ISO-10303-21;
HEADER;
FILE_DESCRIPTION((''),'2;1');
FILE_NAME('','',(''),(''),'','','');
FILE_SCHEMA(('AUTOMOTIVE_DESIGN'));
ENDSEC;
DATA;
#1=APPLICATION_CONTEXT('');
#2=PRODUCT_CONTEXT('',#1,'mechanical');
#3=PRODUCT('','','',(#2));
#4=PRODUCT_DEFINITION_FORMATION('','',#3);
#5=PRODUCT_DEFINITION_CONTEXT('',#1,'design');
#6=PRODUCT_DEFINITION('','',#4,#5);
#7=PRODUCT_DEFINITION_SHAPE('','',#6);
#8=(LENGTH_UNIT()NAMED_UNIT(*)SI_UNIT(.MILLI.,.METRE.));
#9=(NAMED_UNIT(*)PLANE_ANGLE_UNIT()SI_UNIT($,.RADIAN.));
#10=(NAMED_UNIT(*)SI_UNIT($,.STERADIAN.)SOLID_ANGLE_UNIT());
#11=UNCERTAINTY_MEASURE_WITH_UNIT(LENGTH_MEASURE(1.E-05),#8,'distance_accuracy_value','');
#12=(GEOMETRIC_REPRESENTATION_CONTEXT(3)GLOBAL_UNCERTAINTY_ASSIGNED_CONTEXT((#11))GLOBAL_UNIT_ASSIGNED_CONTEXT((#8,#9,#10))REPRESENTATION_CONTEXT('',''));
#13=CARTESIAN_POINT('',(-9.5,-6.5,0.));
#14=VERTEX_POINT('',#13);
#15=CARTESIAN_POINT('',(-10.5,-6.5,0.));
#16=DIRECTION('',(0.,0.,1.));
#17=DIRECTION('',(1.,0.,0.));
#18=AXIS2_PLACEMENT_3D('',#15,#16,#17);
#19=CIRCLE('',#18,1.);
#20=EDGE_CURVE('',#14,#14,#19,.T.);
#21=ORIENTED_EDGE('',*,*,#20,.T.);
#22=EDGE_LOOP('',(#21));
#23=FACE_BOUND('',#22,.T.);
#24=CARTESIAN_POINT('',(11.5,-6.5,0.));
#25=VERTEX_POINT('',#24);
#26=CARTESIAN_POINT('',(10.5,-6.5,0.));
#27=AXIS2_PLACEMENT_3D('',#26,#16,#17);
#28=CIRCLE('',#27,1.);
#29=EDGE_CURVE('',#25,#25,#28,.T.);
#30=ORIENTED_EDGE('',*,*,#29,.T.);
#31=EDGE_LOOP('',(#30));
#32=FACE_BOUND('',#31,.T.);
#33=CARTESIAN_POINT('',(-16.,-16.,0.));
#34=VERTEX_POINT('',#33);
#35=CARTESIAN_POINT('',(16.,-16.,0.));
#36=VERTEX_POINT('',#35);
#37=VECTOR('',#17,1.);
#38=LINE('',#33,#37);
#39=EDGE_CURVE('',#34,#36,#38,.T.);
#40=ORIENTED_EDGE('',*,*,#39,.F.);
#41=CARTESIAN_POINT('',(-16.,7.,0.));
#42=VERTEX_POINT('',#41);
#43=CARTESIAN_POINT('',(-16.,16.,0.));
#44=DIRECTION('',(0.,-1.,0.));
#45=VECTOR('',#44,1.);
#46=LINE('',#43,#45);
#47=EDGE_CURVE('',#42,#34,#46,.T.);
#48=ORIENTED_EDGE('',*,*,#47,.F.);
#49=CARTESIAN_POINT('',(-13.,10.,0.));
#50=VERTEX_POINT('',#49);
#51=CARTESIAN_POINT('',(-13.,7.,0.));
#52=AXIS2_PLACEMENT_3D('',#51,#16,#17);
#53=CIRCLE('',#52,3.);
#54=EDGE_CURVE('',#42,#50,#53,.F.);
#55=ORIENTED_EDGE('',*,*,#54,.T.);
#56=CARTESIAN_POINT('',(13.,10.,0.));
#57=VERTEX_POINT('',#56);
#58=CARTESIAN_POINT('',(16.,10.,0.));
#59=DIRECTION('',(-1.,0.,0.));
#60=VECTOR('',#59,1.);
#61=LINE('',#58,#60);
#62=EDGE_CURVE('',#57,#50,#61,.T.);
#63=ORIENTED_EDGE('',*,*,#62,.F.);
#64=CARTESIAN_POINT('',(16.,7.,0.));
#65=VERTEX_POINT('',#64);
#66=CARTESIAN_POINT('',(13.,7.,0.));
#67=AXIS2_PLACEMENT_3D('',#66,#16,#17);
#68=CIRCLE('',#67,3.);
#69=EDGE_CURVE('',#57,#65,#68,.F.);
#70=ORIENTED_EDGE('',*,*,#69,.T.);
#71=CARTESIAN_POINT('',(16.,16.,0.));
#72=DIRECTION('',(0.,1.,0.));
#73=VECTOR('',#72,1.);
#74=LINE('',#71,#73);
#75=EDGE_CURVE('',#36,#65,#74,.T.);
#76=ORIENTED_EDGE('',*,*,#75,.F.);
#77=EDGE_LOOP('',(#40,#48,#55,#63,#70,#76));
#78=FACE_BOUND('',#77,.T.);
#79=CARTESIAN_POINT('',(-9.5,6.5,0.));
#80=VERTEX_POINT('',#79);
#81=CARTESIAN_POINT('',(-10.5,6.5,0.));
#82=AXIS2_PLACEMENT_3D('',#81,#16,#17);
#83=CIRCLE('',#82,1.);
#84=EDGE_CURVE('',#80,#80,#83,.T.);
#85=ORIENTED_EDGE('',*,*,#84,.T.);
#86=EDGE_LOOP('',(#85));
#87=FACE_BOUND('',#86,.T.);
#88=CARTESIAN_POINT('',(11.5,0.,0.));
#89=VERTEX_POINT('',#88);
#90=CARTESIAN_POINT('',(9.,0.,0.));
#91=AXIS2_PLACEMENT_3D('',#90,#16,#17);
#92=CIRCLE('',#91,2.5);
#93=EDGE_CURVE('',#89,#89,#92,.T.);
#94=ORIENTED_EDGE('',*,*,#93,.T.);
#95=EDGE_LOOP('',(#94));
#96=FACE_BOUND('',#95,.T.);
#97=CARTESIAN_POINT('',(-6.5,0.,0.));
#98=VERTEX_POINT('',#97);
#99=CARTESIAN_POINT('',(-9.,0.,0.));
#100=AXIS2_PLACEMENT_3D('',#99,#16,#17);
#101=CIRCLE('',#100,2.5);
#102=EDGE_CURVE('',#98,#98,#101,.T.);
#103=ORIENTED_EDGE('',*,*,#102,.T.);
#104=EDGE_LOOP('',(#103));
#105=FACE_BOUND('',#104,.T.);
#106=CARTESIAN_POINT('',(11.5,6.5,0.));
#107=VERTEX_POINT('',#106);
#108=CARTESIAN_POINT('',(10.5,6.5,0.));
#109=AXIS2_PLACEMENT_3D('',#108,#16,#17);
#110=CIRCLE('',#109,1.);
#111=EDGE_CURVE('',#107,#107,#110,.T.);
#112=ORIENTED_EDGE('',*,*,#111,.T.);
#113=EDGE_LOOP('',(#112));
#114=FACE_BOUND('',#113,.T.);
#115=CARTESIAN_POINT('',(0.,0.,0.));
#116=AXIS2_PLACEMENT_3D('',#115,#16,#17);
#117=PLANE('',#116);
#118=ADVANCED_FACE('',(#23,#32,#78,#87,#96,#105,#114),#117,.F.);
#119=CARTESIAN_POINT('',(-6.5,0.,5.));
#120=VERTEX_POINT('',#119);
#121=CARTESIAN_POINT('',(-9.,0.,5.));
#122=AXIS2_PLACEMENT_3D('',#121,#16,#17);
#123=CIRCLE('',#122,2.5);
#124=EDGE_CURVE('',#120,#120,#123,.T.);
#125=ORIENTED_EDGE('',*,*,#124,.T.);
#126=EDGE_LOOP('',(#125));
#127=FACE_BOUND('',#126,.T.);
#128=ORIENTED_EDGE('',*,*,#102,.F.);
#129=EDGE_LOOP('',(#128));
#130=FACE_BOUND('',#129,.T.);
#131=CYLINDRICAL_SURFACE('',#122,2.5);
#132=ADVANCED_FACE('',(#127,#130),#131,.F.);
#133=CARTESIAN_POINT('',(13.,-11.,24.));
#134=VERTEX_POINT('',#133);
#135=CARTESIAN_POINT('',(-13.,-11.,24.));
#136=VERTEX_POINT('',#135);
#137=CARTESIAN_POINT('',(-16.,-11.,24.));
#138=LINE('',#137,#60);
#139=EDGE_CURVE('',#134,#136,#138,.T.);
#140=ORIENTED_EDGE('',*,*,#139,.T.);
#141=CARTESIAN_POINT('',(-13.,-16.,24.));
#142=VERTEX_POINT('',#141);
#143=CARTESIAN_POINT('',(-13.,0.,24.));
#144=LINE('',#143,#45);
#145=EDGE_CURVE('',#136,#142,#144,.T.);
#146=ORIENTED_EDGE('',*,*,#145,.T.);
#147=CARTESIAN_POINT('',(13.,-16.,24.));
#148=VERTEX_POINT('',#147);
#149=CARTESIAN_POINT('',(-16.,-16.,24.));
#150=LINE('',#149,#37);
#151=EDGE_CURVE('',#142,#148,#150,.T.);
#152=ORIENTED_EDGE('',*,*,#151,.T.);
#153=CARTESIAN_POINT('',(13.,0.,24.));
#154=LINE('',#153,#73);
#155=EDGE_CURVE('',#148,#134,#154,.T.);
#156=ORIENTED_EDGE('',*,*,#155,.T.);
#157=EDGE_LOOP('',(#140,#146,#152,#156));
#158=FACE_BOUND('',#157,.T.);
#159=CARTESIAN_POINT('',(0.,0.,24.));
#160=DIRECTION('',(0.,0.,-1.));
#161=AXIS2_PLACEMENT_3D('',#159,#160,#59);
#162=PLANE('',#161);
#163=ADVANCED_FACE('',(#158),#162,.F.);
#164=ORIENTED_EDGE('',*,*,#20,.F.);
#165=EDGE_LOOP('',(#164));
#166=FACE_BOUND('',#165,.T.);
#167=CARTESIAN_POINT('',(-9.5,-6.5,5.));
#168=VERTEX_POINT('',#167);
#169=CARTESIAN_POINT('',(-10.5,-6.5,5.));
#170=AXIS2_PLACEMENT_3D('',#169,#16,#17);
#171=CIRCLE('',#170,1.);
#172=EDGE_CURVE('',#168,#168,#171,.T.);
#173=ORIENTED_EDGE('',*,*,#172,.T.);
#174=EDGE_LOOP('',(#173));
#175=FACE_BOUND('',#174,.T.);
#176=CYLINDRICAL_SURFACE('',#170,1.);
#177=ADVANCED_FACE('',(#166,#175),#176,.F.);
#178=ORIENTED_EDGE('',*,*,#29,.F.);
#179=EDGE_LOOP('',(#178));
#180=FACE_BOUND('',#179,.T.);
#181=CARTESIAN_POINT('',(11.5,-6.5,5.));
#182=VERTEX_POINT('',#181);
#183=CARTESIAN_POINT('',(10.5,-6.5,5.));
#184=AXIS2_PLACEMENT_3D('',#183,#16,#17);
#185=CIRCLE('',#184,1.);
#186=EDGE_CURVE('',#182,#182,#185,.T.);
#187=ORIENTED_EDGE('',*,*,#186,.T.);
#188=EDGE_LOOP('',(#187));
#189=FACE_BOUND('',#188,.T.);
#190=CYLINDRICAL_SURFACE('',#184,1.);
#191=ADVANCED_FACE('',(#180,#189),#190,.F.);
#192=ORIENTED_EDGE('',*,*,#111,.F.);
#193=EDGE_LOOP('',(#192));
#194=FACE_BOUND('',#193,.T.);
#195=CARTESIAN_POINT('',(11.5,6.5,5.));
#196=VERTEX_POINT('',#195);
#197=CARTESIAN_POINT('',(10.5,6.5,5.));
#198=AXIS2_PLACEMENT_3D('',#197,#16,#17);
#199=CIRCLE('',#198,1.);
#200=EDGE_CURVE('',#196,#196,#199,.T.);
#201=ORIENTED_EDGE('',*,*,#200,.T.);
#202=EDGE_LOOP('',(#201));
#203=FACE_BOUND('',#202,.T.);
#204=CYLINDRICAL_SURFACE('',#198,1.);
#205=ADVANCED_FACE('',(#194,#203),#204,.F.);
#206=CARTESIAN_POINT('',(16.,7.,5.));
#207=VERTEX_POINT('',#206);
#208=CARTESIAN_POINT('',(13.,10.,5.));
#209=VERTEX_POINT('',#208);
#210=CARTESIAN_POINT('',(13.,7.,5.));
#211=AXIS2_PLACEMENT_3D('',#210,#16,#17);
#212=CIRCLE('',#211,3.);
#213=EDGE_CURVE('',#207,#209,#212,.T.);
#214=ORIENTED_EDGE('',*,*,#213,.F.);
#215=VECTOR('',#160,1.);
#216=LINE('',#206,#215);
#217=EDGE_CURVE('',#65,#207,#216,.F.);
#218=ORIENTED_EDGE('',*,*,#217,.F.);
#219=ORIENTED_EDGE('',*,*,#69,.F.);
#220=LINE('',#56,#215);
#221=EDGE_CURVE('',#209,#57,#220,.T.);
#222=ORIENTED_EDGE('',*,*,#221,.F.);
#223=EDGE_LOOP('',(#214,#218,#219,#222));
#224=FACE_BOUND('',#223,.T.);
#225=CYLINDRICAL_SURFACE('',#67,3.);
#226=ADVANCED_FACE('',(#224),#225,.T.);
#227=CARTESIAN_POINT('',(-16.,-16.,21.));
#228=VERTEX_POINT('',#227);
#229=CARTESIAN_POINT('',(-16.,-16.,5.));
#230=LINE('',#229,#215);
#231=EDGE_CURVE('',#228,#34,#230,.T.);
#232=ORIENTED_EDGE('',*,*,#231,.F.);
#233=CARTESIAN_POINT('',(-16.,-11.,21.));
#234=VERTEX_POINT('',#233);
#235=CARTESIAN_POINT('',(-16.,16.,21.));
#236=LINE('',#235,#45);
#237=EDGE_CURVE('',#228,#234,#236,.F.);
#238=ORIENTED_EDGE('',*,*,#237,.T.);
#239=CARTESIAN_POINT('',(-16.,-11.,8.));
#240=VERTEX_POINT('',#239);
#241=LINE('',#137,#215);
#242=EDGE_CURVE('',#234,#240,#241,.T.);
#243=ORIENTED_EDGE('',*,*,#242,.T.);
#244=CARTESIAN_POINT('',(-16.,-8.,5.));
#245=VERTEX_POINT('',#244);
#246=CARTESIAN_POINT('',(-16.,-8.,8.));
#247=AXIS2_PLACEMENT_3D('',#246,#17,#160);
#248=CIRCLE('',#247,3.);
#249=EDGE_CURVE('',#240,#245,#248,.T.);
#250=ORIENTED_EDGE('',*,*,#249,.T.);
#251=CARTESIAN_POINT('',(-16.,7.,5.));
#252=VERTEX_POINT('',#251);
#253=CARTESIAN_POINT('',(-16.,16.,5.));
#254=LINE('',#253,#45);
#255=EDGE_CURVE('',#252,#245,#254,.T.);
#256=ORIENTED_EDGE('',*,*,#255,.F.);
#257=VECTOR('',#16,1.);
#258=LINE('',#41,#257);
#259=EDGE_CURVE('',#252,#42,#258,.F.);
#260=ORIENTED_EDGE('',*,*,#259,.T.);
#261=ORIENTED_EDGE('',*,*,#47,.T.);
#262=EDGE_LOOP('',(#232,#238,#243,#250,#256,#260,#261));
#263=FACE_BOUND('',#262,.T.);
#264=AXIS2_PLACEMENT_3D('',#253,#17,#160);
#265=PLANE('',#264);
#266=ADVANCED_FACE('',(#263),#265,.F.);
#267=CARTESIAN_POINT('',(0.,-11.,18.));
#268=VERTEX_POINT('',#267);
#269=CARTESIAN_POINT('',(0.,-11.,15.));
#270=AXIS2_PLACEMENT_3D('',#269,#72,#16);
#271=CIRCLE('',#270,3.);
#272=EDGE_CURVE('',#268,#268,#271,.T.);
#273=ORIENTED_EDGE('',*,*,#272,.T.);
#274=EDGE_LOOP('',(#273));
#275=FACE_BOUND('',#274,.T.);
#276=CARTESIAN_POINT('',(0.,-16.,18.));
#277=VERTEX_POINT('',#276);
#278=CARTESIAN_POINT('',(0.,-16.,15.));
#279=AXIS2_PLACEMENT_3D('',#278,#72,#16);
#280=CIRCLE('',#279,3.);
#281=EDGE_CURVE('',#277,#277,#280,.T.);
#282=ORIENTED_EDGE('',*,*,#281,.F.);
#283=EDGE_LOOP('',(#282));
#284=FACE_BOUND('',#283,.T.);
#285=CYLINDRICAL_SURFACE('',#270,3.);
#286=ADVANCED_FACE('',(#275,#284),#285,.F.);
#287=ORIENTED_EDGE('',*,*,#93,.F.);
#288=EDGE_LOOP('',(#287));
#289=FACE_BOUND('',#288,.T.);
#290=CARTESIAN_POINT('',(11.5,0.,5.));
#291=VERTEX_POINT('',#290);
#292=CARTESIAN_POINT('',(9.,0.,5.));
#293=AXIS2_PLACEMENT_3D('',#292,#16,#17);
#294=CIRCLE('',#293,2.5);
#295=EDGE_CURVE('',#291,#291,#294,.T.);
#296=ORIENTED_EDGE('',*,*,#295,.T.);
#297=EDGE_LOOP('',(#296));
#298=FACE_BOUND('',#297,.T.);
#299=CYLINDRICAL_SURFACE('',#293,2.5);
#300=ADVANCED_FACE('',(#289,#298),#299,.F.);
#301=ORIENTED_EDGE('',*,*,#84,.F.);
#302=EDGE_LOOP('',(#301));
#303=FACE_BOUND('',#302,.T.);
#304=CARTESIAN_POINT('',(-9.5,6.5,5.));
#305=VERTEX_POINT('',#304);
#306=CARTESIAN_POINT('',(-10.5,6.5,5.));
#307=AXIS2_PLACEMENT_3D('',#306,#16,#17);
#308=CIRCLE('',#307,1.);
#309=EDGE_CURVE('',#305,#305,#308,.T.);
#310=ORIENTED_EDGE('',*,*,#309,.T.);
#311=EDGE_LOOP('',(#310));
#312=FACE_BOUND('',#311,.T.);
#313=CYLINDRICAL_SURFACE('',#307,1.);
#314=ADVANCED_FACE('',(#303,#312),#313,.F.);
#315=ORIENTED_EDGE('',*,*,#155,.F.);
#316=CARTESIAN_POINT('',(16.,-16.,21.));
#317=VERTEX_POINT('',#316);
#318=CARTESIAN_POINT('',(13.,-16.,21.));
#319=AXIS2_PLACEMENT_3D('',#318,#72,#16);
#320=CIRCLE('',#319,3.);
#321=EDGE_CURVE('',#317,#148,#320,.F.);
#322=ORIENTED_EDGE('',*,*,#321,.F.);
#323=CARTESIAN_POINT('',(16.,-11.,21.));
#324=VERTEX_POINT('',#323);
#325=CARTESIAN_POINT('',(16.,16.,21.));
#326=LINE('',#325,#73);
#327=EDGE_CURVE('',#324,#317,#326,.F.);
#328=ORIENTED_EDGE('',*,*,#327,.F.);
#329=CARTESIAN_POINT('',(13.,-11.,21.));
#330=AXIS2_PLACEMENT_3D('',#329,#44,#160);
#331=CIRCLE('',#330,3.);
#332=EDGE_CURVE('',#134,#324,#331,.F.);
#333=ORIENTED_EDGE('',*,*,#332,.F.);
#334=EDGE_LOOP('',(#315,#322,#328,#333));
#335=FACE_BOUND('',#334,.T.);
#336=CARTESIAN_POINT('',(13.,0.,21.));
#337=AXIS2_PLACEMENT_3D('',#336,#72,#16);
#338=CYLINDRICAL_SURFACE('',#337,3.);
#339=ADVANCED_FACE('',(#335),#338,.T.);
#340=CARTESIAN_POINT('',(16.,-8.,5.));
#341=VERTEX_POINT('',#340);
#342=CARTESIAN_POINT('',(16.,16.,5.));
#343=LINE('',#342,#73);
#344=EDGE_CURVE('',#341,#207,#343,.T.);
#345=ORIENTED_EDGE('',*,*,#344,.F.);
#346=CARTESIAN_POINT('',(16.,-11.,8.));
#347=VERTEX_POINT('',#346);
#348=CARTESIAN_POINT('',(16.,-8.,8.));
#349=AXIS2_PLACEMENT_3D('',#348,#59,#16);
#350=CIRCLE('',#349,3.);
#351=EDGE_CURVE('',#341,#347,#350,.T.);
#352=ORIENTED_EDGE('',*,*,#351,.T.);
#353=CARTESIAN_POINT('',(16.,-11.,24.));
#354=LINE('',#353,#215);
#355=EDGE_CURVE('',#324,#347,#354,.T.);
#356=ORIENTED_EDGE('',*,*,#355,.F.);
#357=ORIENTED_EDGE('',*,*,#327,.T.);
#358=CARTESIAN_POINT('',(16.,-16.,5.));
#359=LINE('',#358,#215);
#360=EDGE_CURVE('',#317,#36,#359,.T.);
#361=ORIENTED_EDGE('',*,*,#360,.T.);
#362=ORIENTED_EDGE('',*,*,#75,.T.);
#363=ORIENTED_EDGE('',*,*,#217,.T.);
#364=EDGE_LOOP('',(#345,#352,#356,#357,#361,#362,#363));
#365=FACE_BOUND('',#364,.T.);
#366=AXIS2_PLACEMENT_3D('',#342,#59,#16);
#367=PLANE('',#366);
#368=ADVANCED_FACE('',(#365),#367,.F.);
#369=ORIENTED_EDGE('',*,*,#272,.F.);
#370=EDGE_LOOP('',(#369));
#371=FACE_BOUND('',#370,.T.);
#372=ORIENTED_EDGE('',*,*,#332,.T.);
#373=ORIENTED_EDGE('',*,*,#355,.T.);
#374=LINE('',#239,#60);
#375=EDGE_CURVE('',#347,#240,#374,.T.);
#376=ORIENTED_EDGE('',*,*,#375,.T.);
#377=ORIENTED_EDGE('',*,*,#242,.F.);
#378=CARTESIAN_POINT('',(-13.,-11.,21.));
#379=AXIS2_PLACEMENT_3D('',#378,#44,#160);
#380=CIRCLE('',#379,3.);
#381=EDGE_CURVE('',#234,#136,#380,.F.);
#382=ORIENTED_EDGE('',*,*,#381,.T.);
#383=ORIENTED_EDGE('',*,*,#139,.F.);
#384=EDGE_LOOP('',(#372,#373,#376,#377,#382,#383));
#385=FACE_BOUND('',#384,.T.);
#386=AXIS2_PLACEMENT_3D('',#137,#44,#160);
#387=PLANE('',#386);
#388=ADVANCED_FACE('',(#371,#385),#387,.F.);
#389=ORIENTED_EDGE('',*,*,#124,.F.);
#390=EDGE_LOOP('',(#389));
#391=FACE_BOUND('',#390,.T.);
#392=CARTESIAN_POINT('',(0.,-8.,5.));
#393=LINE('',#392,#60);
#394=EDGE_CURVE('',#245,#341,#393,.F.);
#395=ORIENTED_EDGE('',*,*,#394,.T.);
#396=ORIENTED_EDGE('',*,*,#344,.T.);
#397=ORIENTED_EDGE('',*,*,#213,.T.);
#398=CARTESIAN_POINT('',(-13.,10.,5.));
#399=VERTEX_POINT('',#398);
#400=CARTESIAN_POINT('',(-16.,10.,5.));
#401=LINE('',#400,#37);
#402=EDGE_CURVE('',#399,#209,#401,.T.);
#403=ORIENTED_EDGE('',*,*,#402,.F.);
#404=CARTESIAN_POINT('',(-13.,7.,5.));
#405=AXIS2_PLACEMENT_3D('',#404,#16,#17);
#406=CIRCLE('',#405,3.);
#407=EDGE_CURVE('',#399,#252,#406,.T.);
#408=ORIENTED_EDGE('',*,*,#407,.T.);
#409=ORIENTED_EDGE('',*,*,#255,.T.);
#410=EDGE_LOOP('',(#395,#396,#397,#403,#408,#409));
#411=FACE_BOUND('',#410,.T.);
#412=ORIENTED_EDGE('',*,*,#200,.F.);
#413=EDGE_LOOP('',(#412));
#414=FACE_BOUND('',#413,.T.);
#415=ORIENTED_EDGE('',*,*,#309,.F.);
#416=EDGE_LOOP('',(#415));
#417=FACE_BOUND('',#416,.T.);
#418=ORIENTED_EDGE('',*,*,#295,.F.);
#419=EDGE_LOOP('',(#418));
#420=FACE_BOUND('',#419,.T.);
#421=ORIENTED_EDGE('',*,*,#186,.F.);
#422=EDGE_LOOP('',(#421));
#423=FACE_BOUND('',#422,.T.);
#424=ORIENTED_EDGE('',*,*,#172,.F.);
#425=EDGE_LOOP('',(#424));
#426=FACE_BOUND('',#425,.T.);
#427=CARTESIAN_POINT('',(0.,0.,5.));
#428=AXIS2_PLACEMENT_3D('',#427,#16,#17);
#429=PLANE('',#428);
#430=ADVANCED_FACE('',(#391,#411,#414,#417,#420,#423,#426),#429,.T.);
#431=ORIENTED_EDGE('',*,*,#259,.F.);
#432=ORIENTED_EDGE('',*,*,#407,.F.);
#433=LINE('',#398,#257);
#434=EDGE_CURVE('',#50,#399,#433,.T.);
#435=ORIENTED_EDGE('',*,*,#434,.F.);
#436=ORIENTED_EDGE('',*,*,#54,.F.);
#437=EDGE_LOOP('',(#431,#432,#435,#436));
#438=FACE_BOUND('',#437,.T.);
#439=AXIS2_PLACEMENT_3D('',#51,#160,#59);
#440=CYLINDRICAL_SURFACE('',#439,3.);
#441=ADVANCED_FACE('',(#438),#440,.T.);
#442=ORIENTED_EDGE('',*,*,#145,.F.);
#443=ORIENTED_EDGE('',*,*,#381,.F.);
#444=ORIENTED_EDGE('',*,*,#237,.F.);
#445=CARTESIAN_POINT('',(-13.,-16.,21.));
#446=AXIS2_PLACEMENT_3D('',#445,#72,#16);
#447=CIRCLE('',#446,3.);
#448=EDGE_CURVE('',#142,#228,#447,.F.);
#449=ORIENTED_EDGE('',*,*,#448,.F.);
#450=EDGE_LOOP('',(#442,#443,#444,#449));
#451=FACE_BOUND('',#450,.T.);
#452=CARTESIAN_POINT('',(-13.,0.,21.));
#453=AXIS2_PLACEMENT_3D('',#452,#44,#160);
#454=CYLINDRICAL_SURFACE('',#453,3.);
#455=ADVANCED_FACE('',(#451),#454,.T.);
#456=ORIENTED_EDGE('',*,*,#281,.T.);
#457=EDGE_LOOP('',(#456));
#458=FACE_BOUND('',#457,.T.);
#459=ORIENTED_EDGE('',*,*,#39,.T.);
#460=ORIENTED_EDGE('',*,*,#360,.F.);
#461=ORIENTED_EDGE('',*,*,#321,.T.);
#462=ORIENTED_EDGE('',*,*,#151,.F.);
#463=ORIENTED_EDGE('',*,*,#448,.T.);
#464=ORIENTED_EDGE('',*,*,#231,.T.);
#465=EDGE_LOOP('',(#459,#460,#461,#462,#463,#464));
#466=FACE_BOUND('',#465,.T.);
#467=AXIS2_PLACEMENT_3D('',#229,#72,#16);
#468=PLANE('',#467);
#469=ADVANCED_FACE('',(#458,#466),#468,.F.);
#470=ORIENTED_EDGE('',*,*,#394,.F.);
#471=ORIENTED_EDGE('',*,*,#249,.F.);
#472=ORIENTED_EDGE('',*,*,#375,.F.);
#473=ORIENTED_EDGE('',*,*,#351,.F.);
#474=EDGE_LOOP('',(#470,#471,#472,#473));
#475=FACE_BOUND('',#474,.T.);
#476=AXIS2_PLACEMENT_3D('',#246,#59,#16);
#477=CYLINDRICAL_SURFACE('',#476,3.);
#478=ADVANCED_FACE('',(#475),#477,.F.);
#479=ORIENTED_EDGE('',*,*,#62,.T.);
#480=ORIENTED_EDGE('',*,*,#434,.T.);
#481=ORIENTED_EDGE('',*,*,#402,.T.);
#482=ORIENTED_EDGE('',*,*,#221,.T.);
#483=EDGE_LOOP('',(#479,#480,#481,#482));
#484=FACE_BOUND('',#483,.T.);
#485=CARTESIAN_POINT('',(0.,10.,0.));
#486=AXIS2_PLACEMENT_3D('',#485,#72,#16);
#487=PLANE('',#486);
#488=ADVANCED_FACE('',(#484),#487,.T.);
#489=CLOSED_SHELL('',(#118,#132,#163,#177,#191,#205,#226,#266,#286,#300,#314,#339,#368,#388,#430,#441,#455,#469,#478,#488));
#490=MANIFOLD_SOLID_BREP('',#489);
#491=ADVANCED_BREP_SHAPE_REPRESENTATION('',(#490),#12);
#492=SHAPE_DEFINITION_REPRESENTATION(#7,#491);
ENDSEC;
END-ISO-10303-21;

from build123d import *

# Parameters (mm, degrees)
SKETCH1_W             = 32
SKETCH1_H             = 32
BOSS_EXTRUDE1_DEPTH   = 5
F_5_0MM_DOWEL_HOLE1_D = 5
F_2_0MM_DOWEL_HOLE1_D = 2
SKETCH11_W            = 32
SKETCH11_H            = 5
BOSS_EXTRUDE3_DEPTH   = 19
F_6_0MM_DOWEL_HOLE1_D = 6
SKETCH14_W            = 32
SKETCH14_H            = 5
CUT_EXTRUDE1_DEPTH    = 6
FILLET3_R             = 3


with BuildPart() as part:
    # Sketch1 → Boss-Extrude1 (new body)
    with BuildSketch(Plane.XY):
        Rectangle(SKETCH1_W, SKETCH1_H)
    extrude(amount=BOSS_EXTRUDE1_DEPTH)

    # Ø5.0mm Dowel Hole1 (through all)
    with Locations(Plane.XY.offset(5)):
        with Locations((-9, 0), (9, 0)):
            Hole(F_5_0MM_DOWEL_HOLE1_D / 2)

    # Ø2.0mm Dowel Hole1 (through all)
    with Locations(Plane.XY.offset(5)):
        with Locations((-10.5, 6.5), (10.5, 6.5), (10.5, -6.5), (-10.5, -6.5)):
            Hole(F_2_0MM_DOWEL_HOLE1_D / 2)

    # Sketch11 → Boss-Extrude3 (add)
    with BuildSketch(Plane.XY.offset(5)):
        with Locations((0, -13.5)):
            Rectangle(SKETCH11_W, SKETCH11_H)
    extrude(amount=BOSS_EXTRUDE3_DEPTH)

    # Ø6.0mm Dowel Hole1 (through all)
    with Locations(Plane(origin=(0, -11, 0), x_dir=(1, 0, 0), z_dir=(0, 1, 0))):
        with Locations((0, -15)):
            Hole(F_6_0MM_DOWEL_HOLE1_D / 2)

    # Sketch14 → Cut-Extrude1 (cut)
    with BuildSketch(Plane(origin=(0, 16, 0), x_dir=(1, 0, 0), z_dir=(0, 1, 0))):
        with Locations((0, -2.5)):
            Rectangle(SKETCH14_W, SKETCH14_H)
    extrude(amount=-CUT_EXTRUDE1_DEPTH, mode=Mode.SUBTRACT)

    # Fillet3
    fillet3_edges = [part.edges().sort_by_distance(p)[0] for p in [
        (0, -11, 5),
        (-16, -13.5, 24),
        (16, -13.5, 24),
        (16, 10, 2.5),
        (-16, 10, 2.5),
    ]]
    fillet(fillet3_edges, radius=FILLET3_R)


solid = part.part
